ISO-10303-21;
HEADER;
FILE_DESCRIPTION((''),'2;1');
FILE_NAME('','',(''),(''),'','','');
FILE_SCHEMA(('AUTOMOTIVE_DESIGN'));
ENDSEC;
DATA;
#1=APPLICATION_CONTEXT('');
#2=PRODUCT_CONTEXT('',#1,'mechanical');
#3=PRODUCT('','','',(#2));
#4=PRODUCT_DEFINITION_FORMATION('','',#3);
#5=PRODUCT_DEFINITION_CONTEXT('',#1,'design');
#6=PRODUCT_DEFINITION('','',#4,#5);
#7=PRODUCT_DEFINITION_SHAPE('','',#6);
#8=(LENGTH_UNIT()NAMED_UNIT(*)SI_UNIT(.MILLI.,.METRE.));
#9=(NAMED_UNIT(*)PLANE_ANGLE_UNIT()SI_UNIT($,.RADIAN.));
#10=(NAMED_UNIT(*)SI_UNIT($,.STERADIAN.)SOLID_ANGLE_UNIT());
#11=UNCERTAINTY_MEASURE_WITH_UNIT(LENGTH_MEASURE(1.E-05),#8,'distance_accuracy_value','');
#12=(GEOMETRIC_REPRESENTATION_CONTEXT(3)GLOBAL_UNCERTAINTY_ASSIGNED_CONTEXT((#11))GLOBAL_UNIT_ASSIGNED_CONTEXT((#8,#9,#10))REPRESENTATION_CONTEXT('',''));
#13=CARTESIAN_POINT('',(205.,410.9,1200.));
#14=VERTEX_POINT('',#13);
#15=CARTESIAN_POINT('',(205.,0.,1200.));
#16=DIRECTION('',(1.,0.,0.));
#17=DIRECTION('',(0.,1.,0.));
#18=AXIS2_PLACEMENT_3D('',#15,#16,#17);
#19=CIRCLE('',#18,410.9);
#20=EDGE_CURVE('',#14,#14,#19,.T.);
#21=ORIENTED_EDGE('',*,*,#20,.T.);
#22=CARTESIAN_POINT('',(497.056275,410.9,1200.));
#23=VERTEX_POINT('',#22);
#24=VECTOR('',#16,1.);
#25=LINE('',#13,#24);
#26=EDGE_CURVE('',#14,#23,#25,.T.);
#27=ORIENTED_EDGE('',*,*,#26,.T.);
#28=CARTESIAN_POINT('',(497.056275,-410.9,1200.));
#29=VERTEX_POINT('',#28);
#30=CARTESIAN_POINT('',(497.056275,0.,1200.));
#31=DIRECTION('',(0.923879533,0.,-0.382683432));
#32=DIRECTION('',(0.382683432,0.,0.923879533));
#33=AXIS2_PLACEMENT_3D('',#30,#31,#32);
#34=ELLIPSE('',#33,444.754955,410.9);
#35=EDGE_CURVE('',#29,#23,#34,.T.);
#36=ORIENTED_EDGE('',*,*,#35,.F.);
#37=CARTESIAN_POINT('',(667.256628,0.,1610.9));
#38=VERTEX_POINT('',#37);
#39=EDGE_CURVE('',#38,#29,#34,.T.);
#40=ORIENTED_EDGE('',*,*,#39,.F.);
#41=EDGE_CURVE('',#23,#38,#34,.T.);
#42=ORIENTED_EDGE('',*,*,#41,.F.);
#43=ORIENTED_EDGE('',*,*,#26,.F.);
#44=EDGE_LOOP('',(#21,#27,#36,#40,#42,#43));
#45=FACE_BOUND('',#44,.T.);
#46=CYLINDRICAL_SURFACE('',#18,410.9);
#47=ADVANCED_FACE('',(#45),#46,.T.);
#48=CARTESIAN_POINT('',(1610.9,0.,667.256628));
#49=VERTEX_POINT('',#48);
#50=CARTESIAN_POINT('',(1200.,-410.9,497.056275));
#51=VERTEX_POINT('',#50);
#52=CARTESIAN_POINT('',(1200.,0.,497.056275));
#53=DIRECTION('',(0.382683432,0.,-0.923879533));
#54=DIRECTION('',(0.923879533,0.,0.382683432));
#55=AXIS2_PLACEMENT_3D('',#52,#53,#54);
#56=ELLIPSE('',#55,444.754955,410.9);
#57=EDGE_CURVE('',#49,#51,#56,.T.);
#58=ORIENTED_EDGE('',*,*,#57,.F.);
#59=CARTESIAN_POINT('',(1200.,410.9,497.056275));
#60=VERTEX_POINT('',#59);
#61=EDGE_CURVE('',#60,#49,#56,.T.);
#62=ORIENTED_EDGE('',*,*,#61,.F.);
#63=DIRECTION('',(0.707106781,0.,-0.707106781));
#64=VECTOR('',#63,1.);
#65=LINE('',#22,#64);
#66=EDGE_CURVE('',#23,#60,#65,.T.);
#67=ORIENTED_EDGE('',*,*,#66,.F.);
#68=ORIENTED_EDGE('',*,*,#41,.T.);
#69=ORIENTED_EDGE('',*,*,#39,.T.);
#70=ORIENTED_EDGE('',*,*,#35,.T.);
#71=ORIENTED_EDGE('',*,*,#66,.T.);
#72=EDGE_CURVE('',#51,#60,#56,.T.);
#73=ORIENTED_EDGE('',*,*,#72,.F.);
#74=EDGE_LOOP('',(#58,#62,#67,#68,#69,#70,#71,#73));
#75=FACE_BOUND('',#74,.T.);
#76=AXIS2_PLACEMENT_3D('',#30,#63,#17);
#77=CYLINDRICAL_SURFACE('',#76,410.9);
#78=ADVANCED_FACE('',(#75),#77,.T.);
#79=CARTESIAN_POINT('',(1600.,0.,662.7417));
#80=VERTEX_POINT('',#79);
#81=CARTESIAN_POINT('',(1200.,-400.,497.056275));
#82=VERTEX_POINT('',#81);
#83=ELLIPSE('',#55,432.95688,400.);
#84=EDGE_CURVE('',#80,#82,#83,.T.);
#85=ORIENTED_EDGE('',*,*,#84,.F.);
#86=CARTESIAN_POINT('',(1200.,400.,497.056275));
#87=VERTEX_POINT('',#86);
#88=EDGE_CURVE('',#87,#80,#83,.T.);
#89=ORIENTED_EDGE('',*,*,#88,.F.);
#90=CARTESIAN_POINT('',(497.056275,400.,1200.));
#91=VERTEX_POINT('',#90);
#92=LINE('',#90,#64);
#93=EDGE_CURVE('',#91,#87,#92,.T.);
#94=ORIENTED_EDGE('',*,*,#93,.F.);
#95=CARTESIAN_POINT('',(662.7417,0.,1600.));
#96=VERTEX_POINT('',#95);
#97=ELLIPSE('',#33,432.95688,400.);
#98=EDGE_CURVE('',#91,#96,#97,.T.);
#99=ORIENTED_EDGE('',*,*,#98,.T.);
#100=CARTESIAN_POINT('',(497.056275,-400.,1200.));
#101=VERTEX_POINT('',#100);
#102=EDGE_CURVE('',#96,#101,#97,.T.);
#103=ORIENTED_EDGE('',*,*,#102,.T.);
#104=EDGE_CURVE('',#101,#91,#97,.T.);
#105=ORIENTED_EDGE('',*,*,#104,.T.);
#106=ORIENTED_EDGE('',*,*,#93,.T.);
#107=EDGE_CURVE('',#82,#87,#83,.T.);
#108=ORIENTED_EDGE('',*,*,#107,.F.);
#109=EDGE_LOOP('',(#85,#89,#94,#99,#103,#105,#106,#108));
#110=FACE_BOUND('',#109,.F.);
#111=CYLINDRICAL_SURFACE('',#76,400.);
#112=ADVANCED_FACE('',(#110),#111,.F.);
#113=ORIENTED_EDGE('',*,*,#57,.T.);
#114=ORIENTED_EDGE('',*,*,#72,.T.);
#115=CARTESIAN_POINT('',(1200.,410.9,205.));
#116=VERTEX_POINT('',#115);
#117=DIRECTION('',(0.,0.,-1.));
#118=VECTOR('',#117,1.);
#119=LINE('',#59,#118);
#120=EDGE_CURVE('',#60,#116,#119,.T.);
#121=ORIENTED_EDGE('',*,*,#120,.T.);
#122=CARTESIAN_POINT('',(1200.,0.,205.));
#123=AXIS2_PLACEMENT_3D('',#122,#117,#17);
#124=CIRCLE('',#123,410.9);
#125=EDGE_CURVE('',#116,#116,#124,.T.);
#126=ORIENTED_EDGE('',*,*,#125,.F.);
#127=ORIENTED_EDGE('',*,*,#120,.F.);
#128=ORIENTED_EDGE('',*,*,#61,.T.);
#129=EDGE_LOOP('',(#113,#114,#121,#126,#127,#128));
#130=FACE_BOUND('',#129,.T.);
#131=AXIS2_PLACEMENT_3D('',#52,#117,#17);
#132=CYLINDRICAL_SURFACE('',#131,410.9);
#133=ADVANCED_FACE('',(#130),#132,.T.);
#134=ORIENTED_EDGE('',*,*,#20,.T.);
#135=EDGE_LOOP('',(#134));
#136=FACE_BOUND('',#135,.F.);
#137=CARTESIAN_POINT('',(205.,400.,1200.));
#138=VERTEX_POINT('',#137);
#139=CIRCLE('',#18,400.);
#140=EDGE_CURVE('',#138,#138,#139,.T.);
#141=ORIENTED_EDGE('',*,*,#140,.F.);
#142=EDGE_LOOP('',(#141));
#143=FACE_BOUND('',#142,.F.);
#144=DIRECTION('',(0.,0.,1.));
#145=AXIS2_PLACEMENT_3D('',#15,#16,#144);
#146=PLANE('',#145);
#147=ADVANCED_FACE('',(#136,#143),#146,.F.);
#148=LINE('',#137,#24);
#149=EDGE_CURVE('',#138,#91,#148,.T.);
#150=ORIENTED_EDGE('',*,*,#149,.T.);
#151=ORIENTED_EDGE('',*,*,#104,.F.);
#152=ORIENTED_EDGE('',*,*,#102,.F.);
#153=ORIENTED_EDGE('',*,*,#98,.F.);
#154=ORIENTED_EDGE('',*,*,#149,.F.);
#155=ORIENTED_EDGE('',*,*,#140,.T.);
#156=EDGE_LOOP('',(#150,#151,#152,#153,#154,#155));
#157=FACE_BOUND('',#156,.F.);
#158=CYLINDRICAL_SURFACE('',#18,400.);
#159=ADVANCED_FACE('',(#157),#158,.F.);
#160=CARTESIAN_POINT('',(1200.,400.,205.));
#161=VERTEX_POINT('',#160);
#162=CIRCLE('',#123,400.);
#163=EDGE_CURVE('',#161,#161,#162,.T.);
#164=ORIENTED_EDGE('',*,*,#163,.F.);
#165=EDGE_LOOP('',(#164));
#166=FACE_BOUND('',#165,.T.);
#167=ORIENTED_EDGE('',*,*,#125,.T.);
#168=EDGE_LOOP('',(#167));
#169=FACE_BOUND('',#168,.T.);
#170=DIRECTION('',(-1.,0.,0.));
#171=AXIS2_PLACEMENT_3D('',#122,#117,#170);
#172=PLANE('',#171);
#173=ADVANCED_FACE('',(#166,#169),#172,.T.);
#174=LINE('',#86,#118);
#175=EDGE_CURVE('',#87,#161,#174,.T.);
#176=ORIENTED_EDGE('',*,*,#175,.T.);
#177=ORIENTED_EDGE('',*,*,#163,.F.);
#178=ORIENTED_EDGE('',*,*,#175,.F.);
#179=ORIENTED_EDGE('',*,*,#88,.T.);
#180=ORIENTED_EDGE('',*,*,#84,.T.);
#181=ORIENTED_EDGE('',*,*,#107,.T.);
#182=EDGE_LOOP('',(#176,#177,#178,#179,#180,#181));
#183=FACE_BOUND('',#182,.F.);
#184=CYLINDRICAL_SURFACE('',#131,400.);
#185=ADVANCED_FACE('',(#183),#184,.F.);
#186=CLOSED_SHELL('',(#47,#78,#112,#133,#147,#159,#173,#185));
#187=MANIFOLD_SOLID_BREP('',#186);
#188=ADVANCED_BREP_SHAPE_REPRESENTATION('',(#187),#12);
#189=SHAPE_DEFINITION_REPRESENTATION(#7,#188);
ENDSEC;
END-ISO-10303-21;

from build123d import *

# Parameters (mm, degrees)
F2_R   = 410.9
F2_R_2 = 400


with BuildPart() as f3:
    # F3: sweep along a path in F0
    with BuildLine(Plane.XZ) as f3_path:
        Line((205, 1200), (497.0562748477, 1200))
        Line((497.0562748477, 1200), (1200, 497.0562748477))
        Line((1200, 497.0562748477), (1200, 205))
    # F2 (on line) → F3 (sweep)
    with BuildSketch(Plane.YZ.offset(205)):
        with Locations((0, 1200)):
            Circle(F2_R)
        with Locations((0, 1200)):
            Circle(F2_R_2, mode=Mode.SUBTRACT)
    sweep(path=f3_path.line, transition=Transition.RIGHT)


solid = f3.part
